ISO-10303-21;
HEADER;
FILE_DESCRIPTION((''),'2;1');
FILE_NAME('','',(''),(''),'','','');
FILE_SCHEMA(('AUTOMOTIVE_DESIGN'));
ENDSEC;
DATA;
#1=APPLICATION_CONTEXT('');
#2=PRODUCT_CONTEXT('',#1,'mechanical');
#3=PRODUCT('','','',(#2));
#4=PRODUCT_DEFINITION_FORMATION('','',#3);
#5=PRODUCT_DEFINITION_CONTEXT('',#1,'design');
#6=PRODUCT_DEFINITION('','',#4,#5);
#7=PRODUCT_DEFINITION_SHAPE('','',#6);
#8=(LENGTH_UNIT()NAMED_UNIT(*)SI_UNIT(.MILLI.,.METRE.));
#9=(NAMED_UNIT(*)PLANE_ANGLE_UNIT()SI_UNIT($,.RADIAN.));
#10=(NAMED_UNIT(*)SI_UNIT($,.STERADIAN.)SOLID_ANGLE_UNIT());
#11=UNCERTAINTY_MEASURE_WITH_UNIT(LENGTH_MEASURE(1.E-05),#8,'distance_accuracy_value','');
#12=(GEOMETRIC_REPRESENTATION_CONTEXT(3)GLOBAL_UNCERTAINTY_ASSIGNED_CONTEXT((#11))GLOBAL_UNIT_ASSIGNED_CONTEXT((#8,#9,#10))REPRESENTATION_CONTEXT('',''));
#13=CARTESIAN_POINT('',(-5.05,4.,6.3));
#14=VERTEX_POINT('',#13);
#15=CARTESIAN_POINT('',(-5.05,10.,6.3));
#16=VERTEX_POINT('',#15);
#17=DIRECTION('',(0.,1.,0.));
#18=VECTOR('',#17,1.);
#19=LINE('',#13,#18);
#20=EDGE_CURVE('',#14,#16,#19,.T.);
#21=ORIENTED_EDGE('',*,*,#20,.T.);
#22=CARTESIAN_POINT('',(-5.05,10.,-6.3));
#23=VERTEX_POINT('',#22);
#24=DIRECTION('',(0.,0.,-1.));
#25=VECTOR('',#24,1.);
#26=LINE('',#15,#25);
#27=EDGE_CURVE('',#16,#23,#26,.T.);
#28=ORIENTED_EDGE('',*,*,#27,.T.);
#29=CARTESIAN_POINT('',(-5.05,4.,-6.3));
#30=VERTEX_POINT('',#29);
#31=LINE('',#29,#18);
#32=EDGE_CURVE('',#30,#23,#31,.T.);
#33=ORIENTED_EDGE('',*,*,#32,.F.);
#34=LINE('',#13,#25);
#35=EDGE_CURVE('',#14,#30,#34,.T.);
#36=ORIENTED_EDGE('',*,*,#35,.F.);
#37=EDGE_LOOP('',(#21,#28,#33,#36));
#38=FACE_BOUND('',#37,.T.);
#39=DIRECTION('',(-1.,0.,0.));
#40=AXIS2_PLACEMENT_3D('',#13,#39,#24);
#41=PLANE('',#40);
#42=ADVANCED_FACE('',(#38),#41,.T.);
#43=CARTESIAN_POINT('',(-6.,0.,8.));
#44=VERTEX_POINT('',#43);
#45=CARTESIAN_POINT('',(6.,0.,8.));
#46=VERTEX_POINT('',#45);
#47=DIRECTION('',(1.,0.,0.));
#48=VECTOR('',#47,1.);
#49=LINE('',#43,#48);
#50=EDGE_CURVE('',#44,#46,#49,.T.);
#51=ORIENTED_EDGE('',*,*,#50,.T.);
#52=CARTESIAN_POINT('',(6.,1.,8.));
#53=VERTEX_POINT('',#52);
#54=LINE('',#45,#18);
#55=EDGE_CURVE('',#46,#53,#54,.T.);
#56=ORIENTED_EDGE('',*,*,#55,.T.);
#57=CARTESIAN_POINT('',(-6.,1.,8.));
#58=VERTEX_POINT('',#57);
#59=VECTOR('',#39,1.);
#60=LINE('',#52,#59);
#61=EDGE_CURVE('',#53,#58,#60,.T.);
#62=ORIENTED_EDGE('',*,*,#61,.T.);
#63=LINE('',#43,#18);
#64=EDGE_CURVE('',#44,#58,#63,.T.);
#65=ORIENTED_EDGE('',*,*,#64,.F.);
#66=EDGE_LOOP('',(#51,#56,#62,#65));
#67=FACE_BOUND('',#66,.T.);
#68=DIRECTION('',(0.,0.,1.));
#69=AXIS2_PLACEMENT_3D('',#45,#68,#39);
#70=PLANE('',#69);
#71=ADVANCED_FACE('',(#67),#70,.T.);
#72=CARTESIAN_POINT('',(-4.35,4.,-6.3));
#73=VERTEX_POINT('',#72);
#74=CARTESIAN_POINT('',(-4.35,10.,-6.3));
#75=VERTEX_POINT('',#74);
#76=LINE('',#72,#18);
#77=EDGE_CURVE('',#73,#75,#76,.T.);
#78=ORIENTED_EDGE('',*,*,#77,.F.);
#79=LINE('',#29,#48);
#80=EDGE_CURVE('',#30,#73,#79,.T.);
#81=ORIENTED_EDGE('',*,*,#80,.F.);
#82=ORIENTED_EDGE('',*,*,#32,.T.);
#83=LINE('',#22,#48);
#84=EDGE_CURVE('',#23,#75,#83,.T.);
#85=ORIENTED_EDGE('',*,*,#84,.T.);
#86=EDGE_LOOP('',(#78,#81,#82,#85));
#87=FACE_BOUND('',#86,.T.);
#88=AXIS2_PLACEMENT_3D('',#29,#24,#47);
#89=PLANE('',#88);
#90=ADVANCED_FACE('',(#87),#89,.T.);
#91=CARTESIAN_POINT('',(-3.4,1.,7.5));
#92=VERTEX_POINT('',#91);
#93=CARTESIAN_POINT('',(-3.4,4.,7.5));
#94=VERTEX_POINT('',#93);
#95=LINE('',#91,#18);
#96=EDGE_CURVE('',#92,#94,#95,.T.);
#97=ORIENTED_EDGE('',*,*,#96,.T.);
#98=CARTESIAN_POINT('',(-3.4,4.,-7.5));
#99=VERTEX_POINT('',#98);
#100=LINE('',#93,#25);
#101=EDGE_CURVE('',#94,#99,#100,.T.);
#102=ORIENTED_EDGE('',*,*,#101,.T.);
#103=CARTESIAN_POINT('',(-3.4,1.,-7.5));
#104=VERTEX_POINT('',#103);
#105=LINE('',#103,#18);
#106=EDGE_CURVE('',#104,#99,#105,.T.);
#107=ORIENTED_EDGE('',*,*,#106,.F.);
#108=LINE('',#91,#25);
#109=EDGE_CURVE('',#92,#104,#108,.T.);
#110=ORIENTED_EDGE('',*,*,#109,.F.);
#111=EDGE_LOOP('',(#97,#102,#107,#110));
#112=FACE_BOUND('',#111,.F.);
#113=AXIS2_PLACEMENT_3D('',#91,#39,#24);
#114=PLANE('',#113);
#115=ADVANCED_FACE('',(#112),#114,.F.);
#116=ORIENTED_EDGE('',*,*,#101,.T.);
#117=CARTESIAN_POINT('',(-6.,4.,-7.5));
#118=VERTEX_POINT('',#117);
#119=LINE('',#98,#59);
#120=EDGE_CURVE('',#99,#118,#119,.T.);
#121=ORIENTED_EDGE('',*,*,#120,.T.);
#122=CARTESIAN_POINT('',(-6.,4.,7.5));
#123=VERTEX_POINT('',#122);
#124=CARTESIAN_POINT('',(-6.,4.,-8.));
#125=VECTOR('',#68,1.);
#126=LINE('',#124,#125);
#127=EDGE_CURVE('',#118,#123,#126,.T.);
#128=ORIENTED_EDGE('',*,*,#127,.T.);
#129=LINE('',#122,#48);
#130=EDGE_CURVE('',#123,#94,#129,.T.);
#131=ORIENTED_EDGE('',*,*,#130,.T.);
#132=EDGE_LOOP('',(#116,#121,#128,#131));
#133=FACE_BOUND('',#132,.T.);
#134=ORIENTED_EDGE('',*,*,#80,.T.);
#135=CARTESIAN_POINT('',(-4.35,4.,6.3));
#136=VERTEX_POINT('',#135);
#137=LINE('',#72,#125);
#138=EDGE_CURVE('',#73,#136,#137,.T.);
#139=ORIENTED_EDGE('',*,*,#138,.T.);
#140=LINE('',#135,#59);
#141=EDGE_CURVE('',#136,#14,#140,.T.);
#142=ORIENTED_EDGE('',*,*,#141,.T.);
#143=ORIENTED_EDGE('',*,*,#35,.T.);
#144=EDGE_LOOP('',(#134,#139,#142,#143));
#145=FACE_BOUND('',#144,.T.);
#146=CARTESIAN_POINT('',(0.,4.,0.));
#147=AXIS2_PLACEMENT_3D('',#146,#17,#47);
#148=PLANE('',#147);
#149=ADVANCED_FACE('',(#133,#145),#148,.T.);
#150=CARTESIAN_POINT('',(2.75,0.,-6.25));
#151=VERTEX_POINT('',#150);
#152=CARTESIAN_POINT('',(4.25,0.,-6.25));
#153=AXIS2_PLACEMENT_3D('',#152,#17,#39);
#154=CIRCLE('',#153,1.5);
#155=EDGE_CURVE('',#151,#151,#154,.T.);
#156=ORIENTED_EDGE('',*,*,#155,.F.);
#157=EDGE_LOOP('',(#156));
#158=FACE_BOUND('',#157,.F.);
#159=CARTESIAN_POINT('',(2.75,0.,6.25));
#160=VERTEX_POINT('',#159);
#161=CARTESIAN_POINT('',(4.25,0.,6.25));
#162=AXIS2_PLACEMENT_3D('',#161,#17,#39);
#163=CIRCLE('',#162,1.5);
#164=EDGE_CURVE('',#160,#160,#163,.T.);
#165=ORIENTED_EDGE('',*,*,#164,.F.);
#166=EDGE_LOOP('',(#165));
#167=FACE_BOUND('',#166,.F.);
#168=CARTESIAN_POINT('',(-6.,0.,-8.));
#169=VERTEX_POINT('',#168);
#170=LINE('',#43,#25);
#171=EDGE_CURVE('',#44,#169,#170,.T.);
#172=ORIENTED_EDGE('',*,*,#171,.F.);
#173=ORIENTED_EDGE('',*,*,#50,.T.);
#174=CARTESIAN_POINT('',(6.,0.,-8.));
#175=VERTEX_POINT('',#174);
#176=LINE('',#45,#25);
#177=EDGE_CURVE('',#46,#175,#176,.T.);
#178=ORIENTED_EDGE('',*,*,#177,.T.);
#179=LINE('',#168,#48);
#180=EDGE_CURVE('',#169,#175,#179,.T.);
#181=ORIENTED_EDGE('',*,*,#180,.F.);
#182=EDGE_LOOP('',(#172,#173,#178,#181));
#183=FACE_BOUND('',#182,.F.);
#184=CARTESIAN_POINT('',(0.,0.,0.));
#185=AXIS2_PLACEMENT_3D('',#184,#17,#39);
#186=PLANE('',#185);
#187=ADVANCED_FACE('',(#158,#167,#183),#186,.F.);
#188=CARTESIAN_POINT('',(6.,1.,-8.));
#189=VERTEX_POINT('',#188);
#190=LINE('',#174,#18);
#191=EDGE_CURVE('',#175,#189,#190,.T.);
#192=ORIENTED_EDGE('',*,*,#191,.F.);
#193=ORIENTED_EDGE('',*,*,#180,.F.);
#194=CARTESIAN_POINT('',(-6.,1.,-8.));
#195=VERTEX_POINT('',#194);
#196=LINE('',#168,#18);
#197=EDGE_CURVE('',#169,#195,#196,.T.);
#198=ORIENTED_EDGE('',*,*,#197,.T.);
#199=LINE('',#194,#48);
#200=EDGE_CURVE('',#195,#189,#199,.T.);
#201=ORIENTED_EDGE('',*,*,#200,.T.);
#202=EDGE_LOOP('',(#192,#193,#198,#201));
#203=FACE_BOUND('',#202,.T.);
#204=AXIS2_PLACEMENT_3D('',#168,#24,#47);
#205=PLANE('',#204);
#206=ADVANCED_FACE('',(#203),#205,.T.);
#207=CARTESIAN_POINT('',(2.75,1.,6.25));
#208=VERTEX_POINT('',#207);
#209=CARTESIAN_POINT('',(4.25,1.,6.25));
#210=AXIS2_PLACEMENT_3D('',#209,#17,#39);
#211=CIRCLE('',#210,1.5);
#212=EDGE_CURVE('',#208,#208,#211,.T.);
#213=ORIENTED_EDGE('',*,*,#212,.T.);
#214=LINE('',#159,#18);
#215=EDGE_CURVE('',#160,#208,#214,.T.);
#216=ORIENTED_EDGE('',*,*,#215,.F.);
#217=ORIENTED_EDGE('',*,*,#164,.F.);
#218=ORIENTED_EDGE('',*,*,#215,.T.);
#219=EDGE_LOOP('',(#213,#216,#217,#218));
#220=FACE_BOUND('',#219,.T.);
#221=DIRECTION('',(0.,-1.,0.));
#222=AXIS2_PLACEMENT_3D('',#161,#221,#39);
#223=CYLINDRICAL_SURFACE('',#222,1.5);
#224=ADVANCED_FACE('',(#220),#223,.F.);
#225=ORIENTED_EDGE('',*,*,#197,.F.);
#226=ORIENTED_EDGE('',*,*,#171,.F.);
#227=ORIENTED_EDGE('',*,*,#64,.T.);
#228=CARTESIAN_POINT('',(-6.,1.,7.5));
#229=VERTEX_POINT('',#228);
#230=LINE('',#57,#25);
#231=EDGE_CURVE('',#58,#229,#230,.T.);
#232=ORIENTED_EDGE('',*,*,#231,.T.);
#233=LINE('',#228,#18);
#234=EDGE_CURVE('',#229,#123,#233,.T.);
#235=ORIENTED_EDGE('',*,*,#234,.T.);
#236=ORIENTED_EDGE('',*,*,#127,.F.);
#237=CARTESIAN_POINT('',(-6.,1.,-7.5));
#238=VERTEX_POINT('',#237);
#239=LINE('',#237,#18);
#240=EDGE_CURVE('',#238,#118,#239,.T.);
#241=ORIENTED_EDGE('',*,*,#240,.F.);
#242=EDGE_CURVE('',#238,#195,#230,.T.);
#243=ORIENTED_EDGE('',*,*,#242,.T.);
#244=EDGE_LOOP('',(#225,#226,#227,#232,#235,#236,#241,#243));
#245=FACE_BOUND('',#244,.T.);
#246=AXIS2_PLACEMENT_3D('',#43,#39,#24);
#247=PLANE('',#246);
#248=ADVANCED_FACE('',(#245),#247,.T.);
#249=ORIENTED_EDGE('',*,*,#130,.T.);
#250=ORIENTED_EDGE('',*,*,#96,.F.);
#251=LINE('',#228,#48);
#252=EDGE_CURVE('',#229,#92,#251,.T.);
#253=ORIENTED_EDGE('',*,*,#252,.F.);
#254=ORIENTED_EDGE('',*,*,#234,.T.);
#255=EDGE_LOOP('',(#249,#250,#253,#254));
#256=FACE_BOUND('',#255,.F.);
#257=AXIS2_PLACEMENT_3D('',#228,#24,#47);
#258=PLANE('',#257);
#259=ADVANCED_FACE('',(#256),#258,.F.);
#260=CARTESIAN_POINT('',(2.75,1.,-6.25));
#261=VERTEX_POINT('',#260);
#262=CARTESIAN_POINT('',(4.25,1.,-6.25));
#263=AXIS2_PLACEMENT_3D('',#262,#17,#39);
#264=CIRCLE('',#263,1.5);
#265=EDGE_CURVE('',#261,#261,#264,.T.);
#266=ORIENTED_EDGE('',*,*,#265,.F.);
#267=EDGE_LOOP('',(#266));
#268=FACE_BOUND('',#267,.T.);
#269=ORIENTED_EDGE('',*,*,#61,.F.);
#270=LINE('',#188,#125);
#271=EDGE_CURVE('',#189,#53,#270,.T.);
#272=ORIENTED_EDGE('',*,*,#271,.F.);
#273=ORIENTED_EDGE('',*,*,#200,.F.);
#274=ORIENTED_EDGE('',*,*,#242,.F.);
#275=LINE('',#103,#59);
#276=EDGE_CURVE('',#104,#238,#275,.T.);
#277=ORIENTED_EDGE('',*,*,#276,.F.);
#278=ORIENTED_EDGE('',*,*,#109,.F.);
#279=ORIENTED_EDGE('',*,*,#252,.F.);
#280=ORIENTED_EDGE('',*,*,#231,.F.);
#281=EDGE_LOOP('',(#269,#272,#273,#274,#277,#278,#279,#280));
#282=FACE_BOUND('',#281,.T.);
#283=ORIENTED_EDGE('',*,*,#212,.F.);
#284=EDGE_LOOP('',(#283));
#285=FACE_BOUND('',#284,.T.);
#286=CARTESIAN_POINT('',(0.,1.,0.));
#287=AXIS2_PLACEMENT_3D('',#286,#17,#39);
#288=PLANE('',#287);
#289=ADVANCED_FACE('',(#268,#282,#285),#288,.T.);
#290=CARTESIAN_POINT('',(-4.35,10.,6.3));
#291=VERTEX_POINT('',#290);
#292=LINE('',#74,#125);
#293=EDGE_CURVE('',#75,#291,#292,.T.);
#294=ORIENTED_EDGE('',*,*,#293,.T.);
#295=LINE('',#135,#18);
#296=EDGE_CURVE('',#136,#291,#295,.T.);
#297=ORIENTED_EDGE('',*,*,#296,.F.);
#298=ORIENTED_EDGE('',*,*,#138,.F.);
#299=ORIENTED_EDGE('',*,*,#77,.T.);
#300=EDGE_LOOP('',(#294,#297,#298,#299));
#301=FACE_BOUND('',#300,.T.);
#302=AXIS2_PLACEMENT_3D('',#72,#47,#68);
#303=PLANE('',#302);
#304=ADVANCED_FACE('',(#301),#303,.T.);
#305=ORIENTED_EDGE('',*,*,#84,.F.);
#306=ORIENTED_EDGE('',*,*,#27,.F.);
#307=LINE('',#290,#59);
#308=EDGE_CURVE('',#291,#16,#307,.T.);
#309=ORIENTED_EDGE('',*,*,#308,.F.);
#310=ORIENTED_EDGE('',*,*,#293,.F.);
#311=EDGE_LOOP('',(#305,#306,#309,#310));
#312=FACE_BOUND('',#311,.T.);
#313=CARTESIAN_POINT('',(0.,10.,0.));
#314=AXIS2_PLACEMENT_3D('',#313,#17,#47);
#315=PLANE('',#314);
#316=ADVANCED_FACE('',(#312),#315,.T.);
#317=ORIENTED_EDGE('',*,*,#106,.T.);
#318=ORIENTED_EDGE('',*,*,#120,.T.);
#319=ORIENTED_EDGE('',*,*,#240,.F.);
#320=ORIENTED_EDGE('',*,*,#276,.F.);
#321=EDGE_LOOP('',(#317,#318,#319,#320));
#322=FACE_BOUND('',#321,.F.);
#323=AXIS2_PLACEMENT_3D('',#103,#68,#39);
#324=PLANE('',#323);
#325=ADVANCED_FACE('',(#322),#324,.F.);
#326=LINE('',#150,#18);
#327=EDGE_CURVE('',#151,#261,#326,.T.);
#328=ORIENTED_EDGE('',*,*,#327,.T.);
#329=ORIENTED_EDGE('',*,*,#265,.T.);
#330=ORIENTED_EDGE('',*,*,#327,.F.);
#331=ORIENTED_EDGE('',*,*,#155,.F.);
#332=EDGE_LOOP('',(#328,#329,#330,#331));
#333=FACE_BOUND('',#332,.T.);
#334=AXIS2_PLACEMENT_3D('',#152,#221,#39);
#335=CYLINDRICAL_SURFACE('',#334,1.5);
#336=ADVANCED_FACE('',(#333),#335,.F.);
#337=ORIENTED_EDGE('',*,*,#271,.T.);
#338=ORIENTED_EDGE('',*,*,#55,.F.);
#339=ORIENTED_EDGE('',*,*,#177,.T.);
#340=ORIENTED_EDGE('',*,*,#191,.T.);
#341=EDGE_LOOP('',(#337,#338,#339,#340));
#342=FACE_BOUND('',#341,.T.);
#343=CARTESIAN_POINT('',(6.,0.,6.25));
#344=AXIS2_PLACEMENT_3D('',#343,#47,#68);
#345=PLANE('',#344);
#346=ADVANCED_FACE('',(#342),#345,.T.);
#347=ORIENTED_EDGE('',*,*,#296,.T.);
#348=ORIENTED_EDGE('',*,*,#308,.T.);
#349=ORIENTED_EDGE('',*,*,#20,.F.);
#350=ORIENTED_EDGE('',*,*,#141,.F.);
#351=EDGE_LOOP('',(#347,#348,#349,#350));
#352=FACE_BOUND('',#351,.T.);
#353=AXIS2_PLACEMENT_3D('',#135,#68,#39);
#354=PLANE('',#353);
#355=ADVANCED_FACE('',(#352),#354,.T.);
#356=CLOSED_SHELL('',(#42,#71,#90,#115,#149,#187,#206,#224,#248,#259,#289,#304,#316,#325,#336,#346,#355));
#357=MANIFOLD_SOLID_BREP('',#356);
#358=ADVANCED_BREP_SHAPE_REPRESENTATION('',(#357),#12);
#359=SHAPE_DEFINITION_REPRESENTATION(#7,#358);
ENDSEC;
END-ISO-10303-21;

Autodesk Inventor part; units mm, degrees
ref_plane "YZ Plane" through (0, 0, 0) normal (1, 0, 0) x (0, 1, 0)
ref_plane "XZ Plane" through (0, 0, 0) normal (0, 1, 0) x (-1, 0, 0)
ref_plane "XY Plane" through (0, 0, 0) normal (0, 0, 1) x (1, 0, 0)
sketch "Sketch1" plane through (0, 0, 0) normal (0, 1, 0) x (-1, 0, 0)
  line L0 (-6, 8) -> (6, 8)
  line L1 (6, 8) -> (6, -8)
  line L2 (6, -8) -> (-6, -8)
  line L3 (-6, -8) -> (-6, 8)
  line L4 (-6, 8) -> (6, -8) construction
  line L5 (6, 8) -> (-6, -8) construction
  line L6 (-6, 8) -> (-4.25, 8)
  line L7 (-6, 6.25) -> (-6, 8)
  circle A0 centre (-4.25, 6.25) radius 1.5
  line L8 (0, 0) -> (-1.7804, 0)
  circle A1 centre (-4.25, -6.25) radius 1.5
  dimension "d0" = 12
  dimension "d1" = 16
  dimension "d4" = 3
  dimension "d7" = 1.75
extrude "Extrusion1" add sketch "Sketch1" along normal blind 1
sketch "Sketch2" plane through (0, 1, 0) normal (0, 1, 0) x (1, 0, 0)
  line L0 (-6, 8) -> (-6, -8) projected
  line L1 (-3.4, 7.5) -> (-6, 7.5)
  line L2 (-6, 7.5) -> (-6, -7.5)
  line L3 (-6, -7.5) -> (-3.4, -7.5)
  line L4 (-3.4, -7.5) -> (-3.4, 7.5)
  line L5 (-3.4, 7.5) -> (-6, -7.5) construction
  line L6 (-6, 7.5) -> (-3.4, -7.5) construction
  point P0 (0, 0)
  dimension "d9" = 2.6
  dimension "d10" = 15
extrude "Extrusion2" add sketch "Sketch2" along normal blind 3
sketch "Sketch3" plane through (0, 4, 0) normal (0, 1, 0) x (1, 0, 0)
  line L0 (-6, -7.5) -> (-6, -8) projected
  line L1 (-6, 7.5) -> (-3.4, 7.5) projected
  line L2 (-6, 7.5) -> (-6, -7.5) projected
  line L3 (-3.4, -7.5) -> (-3.4, 7.5) projected
  line L4 (-4.35, -6.3) -> (-5.05, -6.3)
  line L5 (-5.05, -6.3) -> (-5.05, 6.3)
  line L6 (-5.05, 6.3) -> (-4.35, 6.3)
  line L7 (-4.35, 6.3) -> (-4.35, -6.3)
  line L8 (-4.35, -6.3) -> (-5.05, 6.3) construction
  line L9 (-5.05, -6.3) -> (-4.35, 6.3) construction
  point P0 (0, 0)
  point P1 (-4.7, 0)
  dimension "d13" = 12.6
  dimension "d14" = 0.7
extrude "Extrusion3" add sketch "Sketch3" along normal blind 6
properties part number "SensorPresionHumedadTemp"
